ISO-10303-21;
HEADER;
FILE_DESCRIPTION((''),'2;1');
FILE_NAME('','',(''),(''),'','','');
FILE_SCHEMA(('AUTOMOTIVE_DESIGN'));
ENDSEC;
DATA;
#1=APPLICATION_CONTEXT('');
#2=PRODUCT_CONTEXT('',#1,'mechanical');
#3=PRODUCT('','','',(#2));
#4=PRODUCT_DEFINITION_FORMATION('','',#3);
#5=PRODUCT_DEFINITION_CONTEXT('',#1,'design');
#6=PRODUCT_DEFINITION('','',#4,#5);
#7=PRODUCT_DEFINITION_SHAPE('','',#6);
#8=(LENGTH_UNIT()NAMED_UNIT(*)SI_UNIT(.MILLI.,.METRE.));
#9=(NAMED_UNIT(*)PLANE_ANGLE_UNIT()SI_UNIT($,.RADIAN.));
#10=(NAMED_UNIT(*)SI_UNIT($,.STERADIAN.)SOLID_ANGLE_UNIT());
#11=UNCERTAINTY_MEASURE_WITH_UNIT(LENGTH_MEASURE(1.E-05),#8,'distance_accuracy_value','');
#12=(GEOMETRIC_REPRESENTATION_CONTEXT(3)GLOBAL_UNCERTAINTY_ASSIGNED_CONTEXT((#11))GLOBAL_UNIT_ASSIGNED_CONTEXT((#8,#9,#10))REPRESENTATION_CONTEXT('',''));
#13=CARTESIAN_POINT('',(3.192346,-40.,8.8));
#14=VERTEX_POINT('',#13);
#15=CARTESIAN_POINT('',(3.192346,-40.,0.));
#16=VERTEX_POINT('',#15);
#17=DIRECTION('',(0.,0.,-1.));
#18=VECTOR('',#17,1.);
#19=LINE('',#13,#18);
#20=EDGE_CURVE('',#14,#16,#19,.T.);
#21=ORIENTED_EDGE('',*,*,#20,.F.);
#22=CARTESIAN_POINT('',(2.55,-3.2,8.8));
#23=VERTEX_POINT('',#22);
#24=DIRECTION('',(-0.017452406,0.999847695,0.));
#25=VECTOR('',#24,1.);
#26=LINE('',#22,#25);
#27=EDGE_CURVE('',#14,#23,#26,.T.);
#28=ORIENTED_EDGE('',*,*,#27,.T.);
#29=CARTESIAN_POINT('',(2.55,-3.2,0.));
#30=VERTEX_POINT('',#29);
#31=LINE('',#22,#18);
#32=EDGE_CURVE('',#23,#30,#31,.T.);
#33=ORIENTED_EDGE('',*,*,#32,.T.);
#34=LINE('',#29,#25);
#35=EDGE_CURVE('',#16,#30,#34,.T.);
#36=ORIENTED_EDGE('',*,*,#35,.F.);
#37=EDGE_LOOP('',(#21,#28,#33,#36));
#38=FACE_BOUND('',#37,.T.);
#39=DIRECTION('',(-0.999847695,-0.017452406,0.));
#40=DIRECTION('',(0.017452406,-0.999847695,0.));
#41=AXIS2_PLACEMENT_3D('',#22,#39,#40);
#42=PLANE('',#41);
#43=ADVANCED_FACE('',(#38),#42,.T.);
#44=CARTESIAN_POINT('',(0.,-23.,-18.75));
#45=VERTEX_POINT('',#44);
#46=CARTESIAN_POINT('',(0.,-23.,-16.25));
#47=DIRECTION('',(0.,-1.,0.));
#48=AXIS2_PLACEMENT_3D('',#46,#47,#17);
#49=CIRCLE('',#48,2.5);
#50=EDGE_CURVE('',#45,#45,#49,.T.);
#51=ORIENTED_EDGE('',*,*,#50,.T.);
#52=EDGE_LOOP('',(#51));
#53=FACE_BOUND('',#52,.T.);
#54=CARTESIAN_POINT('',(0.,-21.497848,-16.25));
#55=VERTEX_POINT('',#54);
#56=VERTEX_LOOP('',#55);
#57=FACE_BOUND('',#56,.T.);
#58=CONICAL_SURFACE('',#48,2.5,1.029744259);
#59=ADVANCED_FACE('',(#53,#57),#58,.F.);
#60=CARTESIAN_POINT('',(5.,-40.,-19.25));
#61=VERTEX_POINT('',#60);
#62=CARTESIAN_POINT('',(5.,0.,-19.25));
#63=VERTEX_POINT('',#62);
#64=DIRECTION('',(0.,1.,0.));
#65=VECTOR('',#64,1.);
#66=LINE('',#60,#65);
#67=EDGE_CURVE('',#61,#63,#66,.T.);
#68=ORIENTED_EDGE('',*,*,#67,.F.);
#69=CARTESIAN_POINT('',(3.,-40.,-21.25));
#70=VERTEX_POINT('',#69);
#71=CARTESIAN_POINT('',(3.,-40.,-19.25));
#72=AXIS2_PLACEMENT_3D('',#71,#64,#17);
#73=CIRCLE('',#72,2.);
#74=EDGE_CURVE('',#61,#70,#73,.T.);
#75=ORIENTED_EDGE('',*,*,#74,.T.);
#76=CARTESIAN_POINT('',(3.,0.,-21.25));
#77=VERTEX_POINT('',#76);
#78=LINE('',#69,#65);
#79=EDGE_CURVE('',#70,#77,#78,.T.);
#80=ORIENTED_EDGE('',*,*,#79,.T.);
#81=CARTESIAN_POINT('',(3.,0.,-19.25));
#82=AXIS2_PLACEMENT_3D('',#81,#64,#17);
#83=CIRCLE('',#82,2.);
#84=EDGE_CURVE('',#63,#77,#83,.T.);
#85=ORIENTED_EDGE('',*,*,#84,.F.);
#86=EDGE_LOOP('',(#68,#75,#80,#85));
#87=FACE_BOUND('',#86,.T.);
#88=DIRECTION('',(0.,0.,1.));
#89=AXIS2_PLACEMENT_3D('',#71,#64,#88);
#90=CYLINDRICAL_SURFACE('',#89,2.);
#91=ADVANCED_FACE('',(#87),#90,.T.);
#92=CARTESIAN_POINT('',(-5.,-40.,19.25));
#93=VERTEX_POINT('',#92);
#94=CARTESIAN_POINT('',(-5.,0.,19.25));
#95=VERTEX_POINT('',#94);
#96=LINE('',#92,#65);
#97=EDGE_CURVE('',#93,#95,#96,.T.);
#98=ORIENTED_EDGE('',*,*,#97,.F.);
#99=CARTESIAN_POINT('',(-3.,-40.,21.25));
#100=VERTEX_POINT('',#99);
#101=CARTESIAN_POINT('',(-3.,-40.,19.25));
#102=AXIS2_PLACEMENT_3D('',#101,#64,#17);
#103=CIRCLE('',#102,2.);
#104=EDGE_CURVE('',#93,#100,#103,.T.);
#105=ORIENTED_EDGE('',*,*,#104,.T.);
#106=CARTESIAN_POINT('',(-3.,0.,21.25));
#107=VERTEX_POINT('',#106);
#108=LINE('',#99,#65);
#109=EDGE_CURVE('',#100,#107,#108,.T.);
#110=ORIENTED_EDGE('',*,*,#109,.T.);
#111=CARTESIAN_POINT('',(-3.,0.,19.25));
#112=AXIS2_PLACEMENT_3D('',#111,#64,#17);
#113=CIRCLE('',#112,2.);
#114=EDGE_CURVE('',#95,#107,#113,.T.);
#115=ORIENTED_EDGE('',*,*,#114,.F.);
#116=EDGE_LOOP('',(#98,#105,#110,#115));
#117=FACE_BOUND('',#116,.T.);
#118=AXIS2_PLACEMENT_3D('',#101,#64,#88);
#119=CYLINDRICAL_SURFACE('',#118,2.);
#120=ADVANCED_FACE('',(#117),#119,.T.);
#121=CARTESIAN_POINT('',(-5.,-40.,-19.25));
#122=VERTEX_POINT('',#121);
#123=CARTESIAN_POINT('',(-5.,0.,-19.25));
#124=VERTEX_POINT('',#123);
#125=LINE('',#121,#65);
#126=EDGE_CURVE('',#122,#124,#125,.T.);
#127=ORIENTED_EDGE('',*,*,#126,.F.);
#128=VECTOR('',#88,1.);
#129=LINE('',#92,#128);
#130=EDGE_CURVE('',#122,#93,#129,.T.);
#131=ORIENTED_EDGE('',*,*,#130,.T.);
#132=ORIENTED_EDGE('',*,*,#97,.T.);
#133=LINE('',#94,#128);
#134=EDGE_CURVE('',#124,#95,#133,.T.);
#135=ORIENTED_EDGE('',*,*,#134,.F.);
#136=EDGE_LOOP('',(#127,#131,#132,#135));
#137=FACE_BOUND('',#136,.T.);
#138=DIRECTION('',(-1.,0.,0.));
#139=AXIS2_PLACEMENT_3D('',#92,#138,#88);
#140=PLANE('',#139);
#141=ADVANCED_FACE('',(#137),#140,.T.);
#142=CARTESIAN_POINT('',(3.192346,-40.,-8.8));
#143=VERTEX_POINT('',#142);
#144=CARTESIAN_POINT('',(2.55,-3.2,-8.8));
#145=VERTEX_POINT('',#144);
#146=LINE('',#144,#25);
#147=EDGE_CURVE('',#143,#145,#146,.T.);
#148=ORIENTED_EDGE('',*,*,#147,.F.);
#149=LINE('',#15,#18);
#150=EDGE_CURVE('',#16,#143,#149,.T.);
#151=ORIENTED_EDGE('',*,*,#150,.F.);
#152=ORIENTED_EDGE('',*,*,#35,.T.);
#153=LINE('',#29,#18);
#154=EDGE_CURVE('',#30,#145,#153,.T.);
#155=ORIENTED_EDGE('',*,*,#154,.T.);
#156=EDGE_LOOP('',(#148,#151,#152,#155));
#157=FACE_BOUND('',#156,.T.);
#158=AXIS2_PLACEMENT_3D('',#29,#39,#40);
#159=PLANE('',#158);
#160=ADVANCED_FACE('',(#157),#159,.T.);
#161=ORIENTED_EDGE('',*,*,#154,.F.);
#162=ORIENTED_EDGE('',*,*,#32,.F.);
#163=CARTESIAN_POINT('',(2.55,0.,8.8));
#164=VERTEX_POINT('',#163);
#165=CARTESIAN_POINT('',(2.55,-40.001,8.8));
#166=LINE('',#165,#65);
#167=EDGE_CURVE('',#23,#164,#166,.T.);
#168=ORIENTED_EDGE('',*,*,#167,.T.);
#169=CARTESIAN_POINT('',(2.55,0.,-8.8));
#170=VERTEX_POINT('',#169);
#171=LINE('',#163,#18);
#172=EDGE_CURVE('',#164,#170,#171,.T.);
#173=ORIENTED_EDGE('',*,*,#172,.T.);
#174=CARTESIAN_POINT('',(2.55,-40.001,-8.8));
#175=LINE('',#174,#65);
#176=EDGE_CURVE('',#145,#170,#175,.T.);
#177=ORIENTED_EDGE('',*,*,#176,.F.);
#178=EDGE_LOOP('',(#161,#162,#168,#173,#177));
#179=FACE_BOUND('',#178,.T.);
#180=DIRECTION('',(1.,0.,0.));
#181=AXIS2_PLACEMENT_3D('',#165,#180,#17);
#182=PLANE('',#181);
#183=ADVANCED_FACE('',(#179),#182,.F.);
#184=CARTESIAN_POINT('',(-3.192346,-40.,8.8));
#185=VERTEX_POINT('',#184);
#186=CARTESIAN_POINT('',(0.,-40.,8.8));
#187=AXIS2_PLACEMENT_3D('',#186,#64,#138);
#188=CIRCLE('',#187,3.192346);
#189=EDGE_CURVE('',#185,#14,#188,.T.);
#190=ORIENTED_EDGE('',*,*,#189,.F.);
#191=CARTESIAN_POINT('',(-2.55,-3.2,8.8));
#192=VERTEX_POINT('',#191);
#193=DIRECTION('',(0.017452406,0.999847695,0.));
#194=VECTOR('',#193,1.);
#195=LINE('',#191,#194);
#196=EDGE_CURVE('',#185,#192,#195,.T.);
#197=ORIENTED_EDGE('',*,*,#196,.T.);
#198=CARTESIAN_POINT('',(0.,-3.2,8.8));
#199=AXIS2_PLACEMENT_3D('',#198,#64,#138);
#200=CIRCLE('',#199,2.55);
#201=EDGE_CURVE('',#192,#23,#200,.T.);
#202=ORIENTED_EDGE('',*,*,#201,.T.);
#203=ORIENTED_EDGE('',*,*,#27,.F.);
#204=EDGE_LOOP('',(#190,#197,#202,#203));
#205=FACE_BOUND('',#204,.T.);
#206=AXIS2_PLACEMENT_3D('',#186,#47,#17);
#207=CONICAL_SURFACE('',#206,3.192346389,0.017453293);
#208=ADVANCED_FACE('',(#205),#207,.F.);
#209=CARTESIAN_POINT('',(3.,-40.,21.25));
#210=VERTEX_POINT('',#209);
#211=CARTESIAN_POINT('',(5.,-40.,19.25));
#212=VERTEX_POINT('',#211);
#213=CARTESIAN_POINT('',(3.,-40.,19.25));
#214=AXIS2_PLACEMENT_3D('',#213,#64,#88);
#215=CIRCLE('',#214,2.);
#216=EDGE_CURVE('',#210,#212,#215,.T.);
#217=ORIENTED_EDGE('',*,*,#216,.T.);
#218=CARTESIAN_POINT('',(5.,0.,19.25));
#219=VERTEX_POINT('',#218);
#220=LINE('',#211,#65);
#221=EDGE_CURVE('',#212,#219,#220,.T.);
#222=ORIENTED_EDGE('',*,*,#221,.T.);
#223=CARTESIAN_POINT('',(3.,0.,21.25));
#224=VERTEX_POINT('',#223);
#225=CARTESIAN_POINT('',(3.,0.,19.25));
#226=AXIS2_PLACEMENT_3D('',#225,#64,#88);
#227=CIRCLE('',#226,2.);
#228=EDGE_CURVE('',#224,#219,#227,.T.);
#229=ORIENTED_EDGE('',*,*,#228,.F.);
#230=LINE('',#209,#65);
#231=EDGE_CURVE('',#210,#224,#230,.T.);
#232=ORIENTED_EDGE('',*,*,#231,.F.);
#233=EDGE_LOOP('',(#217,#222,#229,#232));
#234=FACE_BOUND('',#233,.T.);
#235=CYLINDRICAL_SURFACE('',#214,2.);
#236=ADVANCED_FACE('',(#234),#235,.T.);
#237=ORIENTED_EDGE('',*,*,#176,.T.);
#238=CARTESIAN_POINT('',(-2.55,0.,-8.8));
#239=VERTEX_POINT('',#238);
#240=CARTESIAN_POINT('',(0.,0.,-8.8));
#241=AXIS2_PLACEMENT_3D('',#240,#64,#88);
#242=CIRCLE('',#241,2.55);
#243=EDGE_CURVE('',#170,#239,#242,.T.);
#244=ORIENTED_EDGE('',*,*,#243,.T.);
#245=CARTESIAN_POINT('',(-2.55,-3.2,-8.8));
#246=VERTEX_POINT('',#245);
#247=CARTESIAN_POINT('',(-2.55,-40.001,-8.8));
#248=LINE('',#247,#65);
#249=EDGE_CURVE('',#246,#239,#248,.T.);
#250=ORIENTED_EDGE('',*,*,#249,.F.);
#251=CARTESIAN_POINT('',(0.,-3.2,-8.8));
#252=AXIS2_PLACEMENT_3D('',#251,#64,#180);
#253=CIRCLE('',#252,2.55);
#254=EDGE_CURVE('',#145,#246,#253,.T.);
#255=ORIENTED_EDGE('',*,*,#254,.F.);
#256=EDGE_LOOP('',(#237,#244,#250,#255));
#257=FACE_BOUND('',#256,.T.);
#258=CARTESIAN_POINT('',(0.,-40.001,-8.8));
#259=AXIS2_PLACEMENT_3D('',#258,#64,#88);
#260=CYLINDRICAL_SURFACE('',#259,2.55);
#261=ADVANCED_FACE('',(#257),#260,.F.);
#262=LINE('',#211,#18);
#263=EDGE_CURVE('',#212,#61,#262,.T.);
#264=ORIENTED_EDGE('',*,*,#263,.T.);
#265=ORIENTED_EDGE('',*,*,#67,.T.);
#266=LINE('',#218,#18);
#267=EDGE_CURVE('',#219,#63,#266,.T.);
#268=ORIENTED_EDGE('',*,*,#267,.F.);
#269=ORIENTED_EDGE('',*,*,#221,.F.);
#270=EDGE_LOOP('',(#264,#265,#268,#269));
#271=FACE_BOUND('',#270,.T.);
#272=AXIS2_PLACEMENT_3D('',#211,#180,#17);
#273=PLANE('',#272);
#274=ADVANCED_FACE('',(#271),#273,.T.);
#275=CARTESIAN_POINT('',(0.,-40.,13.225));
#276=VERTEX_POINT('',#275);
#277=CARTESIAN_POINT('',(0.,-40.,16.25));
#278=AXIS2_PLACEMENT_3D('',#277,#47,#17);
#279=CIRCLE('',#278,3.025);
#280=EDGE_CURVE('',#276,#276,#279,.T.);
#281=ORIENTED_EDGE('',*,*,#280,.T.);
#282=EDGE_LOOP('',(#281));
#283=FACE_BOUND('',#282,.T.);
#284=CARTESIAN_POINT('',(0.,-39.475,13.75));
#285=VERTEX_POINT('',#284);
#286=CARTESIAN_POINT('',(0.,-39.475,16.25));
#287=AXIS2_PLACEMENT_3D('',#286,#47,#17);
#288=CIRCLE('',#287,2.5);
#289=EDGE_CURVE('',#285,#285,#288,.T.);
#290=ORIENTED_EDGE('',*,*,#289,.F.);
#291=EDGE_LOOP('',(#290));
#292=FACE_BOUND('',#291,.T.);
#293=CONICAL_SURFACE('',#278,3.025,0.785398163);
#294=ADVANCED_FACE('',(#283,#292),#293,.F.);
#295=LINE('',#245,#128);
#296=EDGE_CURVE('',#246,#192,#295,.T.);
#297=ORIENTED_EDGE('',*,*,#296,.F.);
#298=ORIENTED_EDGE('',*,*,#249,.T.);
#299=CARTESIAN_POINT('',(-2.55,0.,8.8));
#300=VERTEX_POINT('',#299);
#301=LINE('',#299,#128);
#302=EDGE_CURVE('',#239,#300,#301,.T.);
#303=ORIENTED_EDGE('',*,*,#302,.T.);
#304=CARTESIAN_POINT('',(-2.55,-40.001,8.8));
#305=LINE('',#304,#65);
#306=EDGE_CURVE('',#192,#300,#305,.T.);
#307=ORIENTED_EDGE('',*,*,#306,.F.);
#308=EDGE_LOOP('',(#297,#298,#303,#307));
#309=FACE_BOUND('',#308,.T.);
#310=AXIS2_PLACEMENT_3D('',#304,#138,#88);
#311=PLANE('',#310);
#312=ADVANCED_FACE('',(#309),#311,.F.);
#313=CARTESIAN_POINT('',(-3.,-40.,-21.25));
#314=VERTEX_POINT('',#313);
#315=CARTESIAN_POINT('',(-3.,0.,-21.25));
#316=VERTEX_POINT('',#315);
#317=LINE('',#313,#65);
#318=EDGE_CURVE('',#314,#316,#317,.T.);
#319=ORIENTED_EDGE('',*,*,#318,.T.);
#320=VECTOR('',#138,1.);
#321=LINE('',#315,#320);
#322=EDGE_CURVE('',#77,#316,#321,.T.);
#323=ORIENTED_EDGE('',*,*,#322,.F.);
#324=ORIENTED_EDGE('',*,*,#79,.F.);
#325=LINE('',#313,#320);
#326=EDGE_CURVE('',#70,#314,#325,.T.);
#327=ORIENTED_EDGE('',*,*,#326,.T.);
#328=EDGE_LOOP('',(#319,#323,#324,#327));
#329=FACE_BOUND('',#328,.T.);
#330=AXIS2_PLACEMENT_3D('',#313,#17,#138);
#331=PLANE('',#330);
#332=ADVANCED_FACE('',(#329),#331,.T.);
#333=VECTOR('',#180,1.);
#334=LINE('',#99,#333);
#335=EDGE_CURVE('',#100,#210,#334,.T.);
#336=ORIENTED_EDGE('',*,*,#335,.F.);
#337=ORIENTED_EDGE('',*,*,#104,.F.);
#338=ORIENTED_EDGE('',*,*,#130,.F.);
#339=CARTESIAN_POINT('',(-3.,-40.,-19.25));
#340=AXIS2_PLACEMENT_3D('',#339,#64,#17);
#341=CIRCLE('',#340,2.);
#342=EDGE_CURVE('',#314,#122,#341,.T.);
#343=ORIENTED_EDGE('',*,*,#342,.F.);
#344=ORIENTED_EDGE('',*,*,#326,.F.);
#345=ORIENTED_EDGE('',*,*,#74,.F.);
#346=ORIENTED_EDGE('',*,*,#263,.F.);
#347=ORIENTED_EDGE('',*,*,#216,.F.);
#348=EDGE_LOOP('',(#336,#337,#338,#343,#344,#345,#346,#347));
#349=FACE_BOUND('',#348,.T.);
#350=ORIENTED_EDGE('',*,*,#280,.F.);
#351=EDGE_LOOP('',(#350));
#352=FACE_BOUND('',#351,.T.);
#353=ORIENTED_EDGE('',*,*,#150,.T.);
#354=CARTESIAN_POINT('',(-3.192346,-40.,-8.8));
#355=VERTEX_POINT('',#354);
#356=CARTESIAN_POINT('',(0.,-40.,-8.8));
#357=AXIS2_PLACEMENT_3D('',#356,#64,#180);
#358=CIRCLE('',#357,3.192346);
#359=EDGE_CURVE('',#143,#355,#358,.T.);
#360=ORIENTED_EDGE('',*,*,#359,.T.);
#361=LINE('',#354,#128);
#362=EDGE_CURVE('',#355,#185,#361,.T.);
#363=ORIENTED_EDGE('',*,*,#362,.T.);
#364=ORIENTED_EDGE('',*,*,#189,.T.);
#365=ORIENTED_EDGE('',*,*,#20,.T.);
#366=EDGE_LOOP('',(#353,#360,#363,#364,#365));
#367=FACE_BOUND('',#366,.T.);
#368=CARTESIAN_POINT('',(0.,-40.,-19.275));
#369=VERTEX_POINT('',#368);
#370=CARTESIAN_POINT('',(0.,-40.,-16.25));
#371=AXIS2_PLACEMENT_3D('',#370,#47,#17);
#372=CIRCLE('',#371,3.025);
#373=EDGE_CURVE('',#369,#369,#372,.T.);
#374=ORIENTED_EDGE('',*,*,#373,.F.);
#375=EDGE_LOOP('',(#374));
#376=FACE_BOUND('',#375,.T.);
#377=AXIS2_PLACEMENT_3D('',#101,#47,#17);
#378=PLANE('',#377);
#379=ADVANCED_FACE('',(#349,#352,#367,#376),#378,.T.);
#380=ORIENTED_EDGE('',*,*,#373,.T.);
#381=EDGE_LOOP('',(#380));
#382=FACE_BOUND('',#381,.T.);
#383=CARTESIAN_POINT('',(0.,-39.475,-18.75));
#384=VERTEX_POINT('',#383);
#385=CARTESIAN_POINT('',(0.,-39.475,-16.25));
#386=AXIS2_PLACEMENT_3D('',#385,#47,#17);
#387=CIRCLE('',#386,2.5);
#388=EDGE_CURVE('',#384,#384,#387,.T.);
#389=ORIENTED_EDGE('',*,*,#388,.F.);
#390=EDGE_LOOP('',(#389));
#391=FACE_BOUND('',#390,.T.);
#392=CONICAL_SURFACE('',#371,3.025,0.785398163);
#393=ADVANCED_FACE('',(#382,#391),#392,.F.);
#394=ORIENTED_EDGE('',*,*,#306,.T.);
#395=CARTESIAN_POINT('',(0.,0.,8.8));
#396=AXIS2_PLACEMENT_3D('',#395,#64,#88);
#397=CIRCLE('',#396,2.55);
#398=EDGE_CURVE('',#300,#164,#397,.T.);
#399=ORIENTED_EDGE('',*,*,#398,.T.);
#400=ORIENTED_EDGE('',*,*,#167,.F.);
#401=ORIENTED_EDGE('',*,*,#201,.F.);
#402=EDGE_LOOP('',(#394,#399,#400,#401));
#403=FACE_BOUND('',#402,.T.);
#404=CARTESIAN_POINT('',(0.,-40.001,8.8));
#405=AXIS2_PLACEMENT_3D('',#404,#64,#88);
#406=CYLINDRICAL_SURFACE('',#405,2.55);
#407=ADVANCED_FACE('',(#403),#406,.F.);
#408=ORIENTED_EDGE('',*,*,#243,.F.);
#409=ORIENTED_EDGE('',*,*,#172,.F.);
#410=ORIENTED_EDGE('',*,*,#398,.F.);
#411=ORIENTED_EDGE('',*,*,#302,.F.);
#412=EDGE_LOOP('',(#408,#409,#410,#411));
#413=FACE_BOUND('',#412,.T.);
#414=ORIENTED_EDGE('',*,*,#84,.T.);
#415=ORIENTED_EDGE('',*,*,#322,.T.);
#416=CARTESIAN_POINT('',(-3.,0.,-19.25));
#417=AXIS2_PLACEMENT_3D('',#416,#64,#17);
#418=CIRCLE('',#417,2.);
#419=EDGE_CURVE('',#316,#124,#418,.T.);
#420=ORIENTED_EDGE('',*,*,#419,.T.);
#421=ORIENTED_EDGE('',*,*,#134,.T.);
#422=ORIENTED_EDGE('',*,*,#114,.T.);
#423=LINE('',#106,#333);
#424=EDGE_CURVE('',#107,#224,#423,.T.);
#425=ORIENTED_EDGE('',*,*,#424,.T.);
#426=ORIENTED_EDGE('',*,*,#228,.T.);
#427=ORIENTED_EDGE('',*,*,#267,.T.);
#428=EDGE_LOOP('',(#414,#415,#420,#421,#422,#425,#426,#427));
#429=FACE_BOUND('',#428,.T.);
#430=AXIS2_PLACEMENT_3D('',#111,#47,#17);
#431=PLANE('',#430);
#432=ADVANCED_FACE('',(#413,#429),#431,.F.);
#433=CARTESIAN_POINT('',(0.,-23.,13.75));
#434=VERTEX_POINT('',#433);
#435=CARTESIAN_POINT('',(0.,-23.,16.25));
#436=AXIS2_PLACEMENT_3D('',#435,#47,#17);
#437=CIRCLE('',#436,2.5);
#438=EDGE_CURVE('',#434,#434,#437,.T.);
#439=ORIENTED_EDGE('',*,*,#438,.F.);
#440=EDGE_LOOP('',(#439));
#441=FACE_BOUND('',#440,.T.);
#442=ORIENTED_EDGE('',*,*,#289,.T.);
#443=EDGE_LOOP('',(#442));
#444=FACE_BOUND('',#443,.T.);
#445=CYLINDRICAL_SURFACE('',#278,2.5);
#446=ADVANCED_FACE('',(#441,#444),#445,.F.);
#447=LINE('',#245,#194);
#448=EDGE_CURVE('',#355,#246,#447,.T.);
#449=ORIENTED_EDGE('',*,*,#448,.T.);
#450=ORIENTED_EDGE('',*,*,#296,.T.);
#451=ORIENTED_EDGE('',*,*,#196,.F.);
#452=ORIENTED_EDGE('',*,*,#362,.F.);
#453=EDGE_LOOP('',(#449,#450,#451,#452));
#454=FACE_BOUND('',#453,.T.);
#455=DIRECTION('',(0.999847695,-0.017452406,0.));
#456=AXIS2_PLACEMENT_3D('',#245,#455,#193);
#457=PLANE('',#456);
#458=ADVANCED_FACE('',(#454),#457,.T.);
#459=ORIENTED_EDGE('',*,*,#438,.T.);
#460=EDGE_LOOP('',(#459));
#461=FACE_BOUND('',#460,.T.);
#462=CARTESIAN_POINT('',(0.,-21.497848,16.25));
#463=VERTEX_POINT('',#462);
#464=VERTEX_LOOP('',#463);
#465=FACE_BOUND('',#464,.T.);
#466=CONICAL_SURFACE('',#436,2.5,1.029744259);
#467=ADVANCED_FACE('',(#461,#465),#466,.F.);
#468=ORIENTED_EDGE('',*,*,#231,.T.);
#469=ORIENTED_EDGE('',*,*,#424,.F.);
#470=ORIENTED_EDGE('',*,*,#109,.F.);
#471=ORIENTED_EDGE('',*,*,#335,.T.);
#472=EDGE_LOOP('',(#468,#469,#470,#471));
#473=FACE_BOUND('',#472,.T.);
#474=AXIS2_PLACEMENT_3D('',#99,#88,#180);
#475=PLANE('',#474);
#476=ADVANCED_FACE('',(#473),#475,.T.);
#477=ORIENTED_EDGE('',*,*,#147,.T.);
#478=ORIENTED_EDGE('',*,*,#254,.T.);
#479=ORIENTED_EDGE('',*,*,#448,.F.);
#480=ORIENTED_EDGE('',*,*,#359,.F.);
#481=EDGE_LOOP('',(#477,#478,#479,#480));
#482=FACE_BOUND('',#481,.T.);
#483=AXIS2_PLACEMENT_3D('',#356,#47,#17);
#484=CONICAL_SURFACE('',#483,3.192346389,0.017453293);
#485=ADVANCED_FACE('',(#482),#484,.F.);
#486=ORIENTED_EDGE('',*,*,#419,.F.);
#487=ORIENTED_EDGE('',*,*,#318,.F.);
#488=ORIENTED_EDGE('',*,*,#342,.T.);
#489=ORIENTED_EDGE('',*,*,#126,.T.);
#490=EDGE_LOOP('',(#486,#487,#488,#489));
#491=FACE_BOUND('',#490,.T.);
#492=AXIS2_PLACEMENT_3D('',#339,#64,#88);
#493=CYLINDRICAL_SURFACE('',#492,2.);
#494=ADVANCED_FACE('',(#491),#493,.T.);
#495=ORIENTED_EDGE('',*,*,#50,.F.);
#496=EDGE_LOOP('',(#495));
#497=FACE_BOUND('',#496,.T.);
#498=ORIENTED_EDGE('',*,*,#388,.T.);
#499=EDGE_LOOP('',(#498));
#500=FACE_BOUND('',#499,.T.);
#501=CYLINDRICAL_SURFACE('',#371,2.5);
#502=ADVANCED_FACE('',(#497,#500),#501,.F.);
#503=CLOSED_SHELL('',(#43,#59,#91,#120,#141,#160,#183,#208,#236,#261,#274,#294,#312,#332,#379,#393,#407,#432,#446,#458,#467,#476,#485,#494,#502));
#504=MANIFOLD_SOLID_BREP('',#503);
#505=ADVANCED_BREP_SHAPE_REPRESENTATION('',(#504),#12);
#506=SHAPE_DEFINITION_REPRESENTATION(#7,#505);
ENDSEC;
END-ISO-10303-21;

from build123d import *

# Parameters (mm, degrees)
BOSS_EXTRUDE1_DEPTH         = 40
CUT_EXTRUDE2_REACH          = 47.569
M6_TAPPED_HOLE1_D           = 5
M6_TAPPED_HOLE1_DEPTH       = 17
M6_TAPPED_HOLE1_CSINK_D     = 6.05
M6_TAPPED_HOLE1_CSINK_ANGLE = 90
M6_TAPPED_HOLE1_TIP         = 1.502151548


with BuildPart() as part:
    # Sketch1 → Boss-Extrude1 (new body)
    with BuildSketch(Plane(origin=(0, 0, 0), x_dir=(1, 0, 0), z_dir=(0, 1, 0))):
        with BuildLine():
            Line((-3, -21.25), (3, -21.25))
            ThreePointArc((3, -21.25), (4.414213562, -20.664213562), (5, -19.25))
            Line((5, -19.25), (5, 19.25))
            ThreePointArc((5, 19.25), (4.414213562, 20.664213562), (3, 21.25))
            Line((3, 21.25), (-3, 21.25))
            ThreePointArc((-3, 21.25), (-4.414213562, 20.664213562), (-5, 19.25))
            Line((-5, 19.25), (-5, -19.25))
            ThreePointArc((-5, -19.25), (-4.414213562, -20.664213562), (-3, -21.25))
        make_face()
    extrude(amount=-BOSS_EXTRUDE1_DEPTH)

    # Sketch5 → Cut-Extrude2 (cut, up to next)
    with BuildSketch(Plane(origin=(0, 0, 0), x_dir=(1, 0, 0), z_dir=(0, 1, 0)), mode=Mode.PRIVATE) as cut_extrude2_sk1:
        with BuildLine():
            Line((-2.55, -8.8), (-2.55, 8.8))
            ThreePointArc((-2.55, 8.8), (0, 11.35), (2.55, 8.8))
            Line((2.55, 8.8), (2.55, -8.8))
            ThreePointArc((2.55, -8.8), (0, -11.35), (-2.55, -8.8))
        make_face()
    cut_extrude2_tool1 = extrude(cut_extrude2_sk1.sketch, amount=-CUT_EXTRUDE2_REACH, mode=Mode.PRIVATE) & part.part
    add(cut_extrude2_tool1.solids().sort_by_distance((0, 0, 0))[0], mode=Mode.SUBTRACT)

    # Cut-Sweep1: sweep along a path in Sketch8
    with BuildLine(Plane(origin=(0, 0, 0), x_dir=(1, 0, 0), z_dir=(0, 1, 0))) as cut_sweep1_path:
        Line((-2.55, 8.8), (-2.55, -8.8))
        ThreePointArc((-2.55, -8.8), (0, -11.35), (2.55, -8.8))
        Line((2.55, -8.8), (2.55, 8.8))
        ThreePointArc((2.55, 8.8), (0, 11.35), (-2.55, 8.8))
    # Sketch7 → Cut-Sweep1 (sweep, cut)
    with BuildSketch(Plane.XY):
        Polygon((2.55, -3.2), (3.192346389, -40), (2.55, -40), align=None)
    sweep(path=cut_sweep1_path.line, mode=Mode.SUBTRACT)

    # M6 Tapped Hole1
    with Locations(Plane(origin=(0, -40, 0), x_dir=(-1, 0, 0), z_dir=(0, -1, 0))):
        with Locations((0, 16.25), (0, -16.25)):
            CounterSinkHole(M6_TAPPED_HOLE1_D / 2, M6_TAPPED_HOLE1_CSINK_D / 2, depth=M6_TAPPED_HOLE1_DEPTH, counter_sink_angle=M6_TAPPED_HOLE1_CSINK_ANGLE)
            with Locations((0, 0, -(M6_TAPPED_HOLE1_DEPTH + M6_TAPPED_HOLE1_TIP / 2))):  # 118° drill point
                Cone(0, M6_TAPPED_HOLE1_D / 2, M6_TAPPED_HOLE1_TIP, mode=Mode.SUBTRACT)


solid = part.part
